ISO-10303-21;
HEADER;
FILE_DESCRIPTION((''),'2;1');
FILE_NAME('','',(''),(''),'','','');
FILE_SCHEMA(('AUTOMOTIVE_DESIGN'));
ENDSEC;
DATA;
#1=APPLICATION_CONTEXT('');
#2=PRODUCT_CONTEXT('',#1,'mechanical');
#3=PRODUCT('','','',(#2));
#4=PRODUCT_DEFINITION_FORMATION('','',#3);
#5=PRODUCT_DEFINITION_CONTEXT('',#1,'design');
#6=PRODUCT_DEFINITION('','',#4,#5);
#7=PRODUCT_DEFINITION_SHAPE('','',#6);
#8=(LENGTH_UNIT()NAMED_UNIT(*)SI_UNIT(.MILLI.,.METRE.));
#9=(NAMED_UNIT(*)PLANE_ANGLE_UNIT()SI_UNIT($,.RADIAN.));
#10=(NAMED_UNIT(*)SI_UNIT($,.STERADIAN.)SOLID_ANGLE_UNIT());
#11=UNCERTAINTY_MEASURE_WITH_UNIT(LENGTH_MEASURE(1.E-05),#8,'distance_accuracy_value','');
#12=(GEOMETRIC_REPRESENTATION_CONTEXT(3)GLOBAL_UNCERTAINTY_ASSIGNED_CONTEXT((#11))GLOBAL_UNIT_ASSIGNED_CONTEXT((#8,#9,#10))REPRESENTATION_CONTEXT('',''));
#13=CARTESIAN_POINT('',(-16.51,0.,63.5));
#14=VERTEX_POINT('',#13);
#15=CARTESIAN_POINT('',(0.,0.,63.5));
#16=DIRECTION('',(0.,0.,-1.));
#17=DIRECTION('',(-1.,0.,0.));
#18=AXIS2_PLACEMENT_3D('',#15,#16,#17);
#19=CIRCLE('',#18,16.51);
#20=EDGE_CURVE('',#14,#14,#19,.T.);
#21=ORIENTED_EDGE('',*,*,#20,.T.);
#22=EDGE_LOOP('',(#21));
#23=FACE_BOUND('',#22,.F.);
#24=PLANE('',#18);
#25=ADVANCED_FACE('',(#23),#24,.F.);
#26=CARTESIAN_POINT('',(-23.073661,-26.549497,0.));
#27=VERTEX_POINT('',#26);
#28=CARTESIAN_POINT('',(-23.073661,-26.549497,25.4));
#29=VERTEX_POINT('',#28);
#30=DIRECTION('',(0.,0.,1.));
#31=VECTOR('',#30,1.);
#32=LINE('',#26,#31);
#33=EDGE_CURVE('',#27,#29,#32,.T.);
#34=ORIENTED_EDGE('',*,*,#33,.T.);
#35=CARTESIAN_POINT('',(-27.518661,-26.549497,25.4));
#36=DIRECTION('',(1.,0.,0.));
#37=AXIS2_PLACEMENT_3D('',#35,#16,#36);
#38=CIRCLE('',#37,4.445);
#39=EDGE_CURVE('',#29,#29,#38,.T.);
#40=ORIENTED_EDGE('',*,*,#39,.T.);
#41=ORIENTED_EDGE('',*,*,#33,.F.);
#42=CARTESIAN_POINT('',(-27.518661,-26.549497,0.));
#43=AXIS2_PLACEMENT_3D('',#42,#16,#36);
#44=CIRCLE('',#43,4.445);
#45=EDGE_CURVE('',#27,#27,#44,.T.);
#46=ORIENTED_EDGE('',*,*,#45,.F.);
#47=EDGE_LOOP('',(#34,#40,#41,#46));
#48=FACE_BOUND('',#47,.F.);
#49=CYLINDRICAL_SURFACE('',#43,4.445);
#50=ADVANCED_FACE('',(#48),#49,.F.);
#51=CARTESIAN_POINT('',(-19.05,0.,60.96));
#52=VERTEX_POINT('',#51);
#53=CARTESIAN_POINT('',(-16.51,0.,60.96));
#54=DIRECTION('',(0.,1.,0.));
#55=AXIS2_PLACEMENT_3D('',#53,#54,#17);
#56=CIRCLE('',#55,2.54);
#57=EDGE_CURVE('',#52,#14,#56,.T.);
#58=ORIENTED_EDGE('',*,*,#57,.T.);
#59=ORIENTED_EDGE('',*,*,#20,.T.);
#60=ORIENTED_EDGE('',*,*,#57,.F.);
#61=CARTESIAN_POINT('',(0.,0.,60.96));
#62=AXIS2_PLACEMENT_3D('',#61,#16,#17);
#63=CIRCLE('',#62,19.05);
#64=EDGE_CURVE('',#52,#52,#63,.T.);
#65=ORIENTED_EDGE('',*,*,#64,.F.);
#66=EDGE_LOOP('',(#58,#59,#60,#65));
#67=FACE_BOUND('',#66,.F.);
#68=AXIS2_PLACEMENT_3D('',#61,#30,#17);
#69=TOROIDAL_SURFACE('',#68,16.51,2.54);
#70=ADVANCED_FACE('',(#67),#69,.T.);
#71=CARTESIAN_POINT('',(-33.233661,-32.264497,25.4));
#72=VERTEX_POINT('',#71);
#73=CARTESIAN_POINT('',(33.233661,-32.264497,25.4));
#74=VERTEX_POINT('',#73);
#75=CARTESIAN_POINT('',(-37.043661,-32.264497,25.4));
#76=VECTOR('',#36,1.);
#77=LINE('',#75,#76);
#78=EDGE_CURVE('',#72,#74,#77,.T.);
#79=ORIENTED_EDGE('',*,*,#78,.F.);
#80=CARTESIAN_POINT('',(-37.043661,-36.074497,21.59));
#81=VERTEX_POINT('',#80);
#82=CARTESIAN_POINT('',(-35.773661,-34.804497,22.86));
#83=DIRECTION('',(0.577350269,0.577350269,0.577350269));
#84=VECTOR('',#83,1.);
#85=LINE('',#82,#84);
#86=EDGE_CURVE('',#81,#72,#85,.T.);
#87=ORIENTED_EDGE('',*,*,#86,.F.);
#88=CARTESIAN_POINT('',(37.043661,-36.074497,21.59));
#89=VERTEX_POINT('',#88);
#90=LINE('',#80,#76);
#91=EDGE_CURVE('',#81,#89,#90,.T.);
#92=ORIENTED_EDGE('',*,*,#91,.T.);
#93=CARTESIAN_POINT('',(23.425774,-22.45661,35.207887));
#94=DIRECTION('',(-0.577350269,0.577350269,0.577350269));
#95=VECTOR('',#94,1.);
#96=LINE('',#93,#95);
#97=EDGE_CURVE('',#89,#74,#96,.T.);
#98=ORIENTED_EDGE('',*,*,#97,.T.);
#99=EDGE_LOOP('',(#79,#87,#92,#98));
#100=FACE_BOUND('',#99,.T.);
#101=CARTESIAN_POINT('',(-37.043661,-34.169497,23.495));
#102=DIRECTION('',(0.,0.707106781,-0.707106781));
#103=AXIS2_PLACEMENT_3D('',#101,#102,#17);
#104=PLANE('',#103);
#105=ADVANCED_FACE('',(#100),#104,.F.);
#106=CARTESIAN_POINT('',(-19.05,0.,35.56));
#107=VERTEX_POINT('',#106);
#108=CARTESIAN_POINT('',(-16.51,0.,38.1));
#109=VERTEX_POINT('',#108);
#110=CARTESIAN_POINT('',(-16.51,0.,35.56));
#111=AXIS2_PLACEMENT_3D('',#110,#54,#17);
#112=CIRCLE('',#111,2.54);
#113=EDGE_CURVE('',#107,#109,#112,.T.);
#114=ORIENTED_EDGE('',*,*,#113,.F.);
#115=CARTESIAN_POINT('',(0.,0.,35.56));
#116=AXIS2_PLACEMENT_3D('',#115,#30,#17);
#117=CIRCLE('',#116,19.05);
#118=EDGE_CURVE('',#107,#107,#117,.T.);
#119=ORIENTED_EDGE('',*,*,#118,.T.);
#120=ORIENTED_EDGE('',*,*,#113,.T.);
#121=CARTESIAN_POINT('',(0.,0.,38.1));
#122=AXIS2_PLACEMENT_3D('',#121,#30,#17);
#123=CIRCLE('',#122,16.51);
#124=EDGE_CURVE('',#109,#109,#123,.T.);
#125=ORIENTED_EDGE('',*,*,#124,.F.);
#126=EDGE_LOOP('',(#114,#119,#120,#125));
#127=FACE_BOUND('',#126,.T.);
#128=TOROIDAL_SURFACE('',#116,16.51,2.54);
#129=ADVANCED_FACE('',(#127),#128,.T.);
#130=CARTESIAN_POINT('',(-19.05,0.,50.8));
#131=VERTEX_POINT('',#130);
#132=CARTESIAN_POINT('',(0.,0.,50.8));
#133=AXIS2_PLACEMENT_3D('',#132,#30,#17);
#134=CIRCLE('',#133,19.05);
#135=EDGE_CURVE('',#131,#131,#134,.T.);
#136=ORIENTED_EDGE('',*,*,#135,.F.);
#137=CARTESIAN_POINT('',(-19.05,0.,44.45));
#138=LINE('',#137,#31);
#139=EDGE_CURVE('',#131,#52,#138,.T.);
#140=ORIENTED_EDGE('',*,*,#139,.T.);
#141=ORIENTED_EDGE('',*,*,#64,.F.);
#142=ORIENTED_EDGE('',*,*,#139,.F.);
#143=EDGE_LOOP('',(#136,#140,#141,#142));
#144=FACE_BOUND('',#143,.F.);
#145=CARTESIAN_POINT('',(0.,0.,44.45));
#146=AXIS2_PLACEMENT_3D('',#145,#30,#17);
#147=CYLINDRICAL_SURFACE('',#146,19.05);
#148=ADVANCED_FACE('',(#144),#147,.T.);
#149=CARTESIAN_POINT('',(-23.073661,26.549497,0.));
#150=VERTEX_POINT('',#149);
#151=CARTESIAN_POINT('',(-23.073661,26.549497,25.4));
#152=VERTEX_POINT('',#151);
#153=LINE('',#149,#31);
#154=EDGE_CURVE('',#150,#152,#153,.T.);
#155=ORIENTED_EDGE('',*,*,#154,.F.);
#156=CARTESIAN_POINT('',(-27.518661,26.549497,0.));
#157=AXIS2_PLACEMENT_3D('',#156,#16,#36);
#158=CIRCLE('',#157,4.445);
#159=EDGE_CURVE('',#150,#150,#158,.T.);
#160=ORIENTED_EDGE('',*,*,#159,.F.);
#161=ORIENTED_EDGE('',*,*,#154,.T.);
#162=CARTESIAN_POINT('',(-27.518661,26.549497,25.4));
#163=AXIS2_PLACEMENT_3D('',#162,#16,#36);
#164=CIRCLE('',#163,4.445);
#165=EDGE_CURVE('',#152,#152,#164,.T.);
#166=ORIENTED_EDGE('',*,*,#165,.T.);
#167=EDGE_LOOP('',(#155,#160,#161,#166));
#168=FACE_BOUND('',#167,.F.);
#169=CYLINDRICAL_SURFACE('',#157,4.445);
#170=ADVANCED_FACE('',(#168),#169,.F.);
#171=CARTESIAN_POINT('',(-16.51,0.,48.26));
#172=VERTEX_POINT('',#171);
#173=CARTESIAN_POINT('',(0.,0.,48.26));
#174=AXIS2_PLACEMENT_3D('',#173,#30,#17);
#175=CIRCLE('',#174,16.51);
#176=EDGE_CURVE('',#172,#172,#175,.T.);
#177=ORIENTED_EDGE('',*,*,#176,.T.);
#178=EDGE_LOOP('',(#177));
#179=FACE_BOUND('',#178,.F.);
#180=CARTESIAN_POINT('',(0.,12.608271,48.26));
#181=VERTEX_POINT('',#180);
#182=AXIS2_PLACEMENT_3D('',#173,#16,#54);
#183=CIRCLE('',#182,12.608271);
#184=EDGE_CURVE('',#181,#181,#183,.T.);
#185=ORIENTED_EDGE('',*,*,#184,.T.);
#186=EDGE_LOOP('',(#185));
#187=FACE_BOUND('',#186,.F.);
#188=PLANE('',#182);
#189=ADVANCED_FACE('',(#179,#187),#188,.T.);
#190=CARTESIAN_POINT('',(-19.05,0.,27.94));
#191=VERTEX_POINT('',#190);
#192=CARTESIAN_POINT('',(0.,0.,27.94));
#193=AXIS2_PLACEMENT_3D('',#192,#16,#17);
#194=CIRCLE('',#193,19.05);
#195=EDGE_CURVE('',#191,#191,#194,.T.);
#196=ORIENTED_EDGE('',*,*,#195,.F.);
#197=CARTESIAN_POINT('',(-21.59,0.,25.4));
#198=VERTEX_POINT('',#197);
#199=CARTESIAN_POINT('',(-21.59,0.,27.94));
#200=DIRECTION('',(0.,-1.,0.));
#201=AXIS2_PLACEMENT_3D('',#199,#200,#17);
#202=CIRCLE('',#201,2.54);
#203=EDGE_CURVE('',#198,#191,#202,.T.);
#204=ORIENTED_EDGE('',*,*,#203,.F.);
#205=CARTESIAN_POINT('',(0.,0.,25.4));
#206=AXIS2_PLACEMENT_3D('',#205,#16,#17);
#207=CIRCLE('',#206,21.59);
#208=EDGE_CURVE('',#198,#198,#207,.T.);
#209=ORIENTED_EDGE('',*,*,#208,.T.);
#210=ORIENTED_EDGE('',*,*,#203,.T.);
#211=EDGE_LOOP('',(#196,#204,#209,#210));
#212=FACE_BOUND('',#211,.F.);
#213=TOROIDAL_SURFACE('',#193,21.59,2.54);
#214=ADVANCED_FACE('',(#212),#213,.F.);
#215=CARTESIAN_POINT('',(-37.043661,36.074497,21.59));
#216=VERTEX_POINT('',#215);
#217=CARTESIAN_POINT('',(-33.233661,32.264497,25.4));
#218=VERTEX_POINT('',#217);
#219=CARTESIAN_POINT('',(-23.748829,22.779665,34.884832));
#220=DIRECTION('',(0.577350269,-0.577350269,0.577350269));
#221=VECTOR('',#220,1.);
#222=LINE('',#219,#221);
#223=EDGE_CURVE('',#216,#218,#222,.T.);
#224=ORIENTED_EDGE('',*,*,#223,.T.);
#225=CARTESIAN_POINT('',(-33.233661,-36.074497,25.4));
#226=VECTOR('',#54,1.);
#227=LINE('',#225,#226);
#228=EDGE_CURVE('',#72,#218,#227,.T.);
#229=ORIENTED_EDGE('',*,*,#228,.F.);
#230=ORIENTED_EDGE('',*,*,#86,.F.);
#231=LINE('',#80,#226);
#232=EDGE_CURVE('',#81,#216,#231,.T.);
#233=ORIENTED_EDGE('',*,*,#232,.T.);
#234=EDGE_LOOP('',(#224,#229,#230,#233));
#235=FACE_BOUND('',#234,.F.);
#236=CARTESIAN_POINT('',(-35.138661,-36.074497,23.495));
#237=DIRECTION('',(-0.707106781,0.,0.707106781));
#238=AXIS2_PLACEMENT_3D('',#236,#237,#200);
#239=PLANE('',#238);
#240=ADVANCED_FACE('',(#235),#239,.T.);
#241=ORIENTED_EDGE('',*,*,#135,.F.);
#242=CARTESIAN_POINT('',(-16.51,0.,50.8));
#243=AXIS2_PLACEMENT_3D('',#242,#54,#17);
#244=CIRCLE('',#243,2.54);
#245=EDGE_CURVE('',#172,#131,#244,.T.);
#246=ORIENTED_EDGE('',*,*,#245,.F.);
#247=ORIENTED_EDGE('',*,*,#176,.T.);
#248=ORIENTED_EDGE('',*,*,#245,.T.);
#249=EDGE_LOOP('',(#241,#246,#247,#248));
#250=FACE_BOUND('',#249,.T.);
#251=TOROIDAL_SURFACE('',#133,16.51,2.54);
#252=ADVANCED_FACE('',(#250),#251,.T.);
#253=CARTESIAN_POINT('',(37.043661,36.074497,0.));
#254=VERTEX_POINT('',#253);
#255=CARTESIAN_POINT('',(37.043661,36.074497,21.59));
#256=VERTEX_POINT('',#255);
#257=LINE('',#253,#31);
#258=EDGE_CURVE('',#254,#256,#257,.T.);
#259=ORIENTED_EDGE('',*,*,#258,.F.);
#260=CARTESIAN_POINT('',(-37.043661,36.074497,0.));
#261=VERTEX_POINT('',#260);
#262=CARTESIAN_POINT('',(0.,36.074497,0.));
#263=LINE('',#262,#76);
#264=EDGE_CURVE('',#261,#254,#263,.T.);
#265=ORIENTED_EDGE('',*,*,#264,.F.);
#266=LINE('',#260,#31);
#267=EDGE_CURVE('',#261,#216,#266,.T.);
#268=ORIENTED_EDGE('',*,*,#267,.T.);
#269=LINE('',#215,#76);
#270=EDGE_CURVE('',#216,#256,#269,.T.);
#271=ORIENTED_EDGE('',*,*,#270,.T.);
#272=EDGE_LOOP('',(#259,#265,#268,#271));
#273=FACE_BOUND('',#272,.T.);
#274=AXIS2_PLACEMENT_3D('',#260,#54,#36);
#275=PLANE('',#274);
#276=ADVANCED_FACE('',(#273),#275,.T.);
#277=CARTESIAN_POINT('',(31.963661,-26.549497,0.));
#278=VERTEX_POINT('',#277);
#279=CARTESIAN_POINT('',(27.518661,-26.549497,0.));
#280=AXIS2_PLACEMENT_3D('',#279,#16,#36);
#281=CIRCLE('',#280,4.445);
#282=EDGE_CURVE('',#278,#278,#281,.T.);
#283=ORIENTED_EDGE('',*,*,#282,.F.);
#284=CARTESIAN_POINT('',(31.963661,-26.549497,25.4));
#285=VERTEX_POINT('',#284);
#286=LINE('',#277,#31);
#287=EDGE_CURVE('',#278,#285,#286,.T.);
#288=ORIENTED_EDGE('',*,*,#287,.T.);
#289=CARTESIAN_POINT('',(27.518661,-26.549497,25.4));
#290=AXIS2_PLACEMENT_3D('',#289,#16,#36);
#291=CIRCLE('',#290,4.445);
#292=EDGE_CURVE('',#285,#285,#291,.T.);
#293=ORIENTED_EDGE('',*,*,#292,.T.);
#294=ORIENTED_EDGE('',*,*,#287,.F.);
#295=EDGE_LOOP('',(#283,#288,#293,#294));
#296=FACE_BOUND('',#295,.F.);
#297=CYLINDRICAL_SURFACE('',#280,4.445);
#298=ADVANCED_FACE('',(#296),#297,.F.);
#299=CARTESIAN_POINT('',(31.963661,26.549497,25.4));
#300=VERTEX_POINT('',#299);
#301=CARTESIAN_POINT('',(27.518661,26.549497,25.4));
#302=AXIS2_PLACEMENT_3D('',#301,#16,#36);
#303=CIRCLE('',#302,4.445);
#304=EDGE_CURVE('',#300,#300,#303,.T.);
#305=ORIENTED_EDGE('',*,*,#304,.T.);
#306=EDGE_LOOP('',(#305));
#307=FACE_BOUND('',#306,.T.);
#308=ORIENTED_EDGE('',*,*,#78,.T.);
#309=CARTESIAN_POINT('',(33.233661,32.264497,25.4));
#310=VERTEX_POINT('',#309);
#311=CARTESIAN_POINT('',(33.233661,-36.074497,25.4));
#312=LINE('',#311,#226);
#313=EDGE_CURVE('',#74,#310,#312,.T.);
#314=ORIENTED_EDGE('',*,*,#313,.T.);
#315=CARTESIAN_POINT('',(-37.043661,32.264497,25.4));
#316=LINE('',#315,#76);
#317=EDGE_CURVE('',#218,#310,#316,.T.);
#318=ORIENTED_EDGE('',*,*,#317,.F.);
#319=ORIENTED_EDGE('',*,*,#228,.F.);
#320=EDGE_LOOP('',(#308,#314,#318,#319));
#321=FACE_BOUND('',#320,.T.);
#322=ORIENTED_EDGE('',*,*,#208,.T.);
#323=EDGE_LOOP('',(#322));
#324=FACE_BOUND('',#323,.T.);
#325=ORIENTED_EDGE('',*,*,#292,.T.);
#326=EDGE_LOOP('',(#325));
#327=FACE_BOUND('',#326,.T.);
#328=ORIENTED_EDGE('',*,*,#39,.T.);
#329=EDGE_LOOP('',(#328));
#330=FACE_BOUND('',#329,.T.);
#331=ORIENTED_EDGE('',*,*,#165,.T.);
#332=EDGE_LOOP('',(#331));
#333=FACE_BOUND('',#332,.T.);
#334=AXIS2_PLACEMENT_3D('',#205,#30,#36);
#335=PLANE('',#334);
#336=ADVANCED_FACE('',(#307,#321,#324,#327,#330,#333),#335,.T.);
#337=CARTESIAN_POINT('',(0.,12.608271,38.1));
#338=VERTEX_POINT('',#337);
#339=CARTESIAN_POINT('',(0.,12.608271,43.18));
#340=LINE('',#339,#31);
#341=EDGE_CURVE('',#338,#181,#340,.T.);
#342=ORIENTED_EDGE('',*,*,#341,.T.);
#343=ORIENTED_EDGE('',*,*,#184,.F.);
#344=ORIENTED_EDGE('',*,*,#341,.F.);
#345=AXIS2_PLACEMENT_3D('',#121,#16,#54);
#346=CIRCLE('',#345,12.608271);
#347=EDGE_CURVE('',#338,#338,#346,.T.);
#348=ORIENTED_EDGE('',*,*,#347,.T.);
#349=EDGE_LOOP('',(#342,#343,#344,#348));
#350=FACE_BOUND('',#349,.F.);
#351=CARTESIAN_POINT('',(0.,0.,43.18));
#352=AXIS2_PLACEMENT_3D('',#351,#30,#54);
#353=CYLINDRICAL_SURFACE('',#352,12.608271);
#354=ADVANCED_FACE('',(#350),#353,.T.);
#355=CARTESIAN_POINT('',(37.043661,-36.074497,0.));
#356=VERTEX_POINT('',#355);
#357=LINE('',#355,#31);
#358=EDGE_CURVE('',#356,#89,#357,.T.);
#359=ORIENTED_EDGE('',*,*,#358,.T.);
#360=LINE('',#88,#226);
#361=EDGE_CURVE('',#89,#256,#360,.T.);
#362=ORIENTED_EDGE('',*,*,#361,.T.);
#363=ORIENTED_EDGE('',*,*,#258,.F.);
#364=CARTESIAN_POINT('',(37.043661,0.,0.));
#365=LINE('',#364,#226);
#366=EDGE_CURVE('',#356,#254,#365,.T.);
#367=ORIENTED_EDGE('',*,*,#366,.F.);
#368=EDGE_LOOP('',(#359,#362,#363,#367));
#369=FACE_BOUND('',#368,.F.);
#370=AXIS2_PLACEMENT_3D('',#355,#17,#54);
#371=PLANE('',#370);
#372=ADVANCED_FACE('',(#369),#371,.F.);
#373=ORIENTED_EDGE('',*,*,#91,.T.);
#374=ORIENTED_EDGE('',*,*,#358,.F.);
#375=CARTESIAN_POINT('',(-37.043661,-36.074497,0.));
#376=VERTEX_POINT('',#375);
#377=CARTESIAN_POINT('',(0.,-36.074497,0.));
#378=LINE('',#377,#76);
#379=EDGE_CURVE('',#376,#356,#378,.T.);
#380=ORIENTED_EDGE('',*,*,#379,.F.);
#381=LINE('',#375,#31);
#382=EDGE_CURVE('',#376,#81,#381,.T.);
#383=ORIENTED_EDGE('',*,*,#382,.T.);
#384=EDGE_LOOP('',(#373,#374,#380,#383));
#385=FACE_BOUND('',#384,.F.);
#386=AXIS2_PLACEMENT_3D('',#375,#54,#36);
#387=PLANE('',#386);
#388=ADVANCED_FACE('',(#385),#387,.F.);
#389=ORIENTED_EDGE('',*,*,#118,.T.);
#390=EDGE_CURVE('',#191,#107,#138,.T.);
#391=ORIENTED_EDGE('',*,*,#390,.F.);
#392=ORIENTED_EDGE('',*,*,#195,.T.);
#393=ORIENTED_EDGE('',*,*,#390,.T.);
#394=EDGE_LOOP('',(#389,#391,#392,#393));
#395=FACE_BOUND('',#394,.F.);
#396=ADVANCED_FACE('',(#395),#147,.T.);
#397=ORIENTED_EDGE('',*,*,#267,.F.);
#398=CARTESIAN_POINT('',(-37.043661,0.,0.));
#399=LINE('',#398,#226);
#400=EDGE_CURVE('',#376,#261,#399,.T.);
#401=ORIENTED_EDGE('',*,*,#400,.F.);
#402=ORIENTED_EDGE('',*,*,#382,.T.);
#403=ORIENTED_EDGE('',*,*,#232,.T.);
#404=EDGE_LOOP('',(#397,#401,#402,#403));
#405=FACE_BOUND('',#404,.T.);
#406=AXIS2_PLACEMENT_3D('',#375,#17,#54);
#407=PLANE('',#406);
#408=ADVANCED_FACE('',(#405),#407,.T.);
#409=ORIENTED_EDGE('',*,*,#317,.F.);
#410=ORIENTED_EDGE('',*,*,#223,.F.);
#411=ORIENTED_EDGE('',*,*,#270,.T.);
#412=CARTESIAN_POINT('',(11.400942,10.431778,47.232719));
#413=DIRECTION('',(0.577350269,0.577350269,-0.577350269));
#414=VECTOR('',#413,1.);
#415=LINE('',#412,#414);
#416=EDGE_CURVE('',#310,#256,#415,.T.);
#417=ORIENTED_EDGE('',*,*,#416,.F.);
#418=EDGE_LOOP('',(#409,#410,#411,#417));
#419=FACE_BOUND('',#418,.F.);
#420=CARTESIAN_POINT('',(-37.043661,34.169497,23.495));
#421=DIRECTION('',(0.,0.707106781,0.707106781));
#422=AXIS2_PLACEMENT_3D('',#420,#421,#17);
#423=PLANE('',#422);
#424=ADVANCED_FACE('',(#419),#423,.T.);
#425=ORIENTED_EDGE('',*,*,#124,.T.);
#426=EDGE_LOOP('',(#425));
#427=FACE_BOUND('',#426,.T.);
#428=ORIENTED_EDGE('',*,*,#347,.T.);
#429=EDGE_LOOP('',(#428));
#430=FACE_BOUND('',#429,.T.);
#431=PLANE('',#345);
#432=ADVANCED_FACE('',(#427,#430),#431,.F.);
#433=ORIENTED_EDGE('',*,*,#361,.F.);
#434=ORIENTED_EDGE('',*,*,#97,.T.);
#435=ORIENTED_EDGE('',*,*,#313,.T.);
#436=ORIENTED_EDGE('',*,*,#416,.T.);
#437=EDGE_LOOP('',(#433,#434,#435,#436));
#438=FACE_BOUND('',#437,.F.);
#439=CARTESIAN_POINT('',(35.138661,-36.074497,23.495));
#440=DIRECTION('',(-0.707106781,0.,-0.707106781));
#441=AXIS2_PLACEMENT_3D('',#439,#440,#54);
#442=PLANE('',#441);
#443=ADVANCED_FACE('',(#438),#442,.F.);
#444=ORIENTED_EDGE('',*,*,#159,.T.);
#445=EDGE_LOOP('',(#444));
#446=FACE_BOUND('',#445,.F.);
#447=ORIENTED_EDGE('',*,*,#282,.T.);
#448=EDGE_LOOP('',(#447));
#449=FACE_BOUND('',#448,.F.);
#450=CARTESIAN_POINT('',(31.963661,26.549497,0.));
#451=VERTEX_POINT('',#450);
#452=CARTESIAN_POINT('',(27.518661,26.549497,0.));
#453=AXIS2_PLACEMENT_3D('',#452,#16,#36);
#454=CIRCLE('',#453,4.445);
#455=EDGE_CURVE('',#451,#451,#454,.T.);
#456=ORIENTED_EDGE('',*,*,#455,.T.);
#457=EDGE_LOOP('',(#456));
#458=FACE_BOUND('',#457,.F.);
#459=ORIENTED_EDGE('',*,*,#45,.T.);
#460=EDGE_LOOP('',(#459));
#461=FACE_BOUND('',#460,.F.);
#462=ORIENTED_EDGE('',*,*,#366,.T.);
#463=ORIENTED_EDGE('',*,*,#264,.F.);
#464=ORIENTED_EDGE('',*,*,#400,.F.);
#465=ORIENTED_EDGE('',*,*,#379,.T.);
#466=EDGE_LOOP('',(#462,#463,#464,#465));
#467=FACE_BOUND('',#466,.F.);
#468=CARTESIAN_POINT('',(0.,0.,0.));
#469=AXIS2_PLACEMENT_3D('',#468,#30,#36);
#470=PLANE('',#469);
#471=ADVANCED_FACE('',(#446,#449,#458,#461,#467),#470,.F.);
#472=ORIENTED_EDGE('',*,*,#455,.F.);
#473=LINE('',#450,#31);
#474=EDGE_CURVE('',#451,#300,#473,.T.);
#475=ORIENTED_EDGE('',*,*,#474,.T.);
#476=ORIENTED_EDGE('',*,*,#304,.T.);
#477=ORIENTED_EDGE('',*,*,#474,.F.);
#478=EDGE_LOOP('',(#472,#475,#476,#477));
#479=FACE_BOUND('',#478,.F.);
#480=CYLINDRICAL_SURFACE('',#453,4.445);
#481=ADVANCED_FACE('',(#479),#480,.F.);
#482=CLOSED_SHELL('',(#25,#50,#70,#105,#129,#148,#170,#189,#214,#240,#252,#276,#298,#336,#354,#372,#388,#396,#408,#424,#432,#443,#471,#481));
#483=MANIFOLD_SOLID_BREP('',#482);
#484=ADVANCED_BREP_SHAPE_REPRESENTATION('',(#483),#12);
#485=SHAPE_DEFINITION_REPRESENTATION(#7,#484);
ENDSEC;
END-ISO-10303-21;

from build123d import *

# Parameters (mm, degrees)
F0_W     = 74.0873217583
F0_H     = 72.1489936113
F1_DEPTH = 25.4
F2_R     = 4.445
F3_DEPTH = 25.4
F4_W     = 19.05
F4_H     = 38.1
F6_W     = 10.4351935416
F6_H     = 10.16
F8_SIZE  = 3.81
F9_R     = 2.54
F10_R    = 2.54


with BuildPart() as f1:
    # F0 (on Top) → F1 (new body)
    with BuildSketch(Plane.XY):
        Rectangle(F0_W, F0_H)
    extrude(amount=F1_DEPTH)

    # F2 (on face) → F3 (cut)
    with BuildSketch(Plane(origin=(0, 0, 0), x_dir=(1, 0, 0), z_dir=(0, 0, -1))):
        with Locations((27.5186608791, -26.5494968057)):
            Circle(F2_R)
        with Locations((27.5186608791, 26.5494968057)):
            Circle(F2_R)
        with Locations((-27.5186608791, 26.5494968057)):
            Circle(F2_R)
        with Locations((-27.5186608791, -26.5494968057)):
            Circle(F2_R)
    extrude(amount=-F3_DEPTH, mode=Mode.SUBTRACT)

    # F4 (on Front) → F5 (revolve)
    with BuildSketch(Plane.XZ):
        with Locations((-9.525, 44.45)):
            Rectangle(F4_W, F4_H)
    revolve(axis=Axis((0, 0, 44.45), (0, 0, -1)))

    # F6 (on Right) → F7 (revolve, cut)
    with BuildSketch(Plane.YZ):
        with Locations((17.8258673744, 43.18)):
            Rectangle(F6_W, F6_H)
    revolve(axis=Axis((0, 0, 63.5), (0, 0, -1)), mode=Mode.SUBTRACT)

    # F8
    f8_edges = [f1.edges().sort_by_distance(p)[0] for p in [
        (-37.043661, 0, 25.4),
        (0, -36.074497, 25.4),
        (37.043661, 0, 25.4),
        (0, 36.074497, 25.4),
    ]]
    chamfer(f8_edges, length=F8_SIZE)

    # F9
    f9_edges = [f1.edges().sort_by_distance(p)[0] for p in [
        (19.05, 0, 38.1),
        (19.05, 0, 48.26),
        (19.05, 0, 25.4),
    ]]
    fillet(f9_edges, radius=F9_R)

    # F10
    f10_edges = [f1.edges().sort_by_distance(p)[0] for p in [
        (19.05, 0, 63.5),
    ]]
    fillet(f10_edges, radius=F10_R)


solid = f1.part
